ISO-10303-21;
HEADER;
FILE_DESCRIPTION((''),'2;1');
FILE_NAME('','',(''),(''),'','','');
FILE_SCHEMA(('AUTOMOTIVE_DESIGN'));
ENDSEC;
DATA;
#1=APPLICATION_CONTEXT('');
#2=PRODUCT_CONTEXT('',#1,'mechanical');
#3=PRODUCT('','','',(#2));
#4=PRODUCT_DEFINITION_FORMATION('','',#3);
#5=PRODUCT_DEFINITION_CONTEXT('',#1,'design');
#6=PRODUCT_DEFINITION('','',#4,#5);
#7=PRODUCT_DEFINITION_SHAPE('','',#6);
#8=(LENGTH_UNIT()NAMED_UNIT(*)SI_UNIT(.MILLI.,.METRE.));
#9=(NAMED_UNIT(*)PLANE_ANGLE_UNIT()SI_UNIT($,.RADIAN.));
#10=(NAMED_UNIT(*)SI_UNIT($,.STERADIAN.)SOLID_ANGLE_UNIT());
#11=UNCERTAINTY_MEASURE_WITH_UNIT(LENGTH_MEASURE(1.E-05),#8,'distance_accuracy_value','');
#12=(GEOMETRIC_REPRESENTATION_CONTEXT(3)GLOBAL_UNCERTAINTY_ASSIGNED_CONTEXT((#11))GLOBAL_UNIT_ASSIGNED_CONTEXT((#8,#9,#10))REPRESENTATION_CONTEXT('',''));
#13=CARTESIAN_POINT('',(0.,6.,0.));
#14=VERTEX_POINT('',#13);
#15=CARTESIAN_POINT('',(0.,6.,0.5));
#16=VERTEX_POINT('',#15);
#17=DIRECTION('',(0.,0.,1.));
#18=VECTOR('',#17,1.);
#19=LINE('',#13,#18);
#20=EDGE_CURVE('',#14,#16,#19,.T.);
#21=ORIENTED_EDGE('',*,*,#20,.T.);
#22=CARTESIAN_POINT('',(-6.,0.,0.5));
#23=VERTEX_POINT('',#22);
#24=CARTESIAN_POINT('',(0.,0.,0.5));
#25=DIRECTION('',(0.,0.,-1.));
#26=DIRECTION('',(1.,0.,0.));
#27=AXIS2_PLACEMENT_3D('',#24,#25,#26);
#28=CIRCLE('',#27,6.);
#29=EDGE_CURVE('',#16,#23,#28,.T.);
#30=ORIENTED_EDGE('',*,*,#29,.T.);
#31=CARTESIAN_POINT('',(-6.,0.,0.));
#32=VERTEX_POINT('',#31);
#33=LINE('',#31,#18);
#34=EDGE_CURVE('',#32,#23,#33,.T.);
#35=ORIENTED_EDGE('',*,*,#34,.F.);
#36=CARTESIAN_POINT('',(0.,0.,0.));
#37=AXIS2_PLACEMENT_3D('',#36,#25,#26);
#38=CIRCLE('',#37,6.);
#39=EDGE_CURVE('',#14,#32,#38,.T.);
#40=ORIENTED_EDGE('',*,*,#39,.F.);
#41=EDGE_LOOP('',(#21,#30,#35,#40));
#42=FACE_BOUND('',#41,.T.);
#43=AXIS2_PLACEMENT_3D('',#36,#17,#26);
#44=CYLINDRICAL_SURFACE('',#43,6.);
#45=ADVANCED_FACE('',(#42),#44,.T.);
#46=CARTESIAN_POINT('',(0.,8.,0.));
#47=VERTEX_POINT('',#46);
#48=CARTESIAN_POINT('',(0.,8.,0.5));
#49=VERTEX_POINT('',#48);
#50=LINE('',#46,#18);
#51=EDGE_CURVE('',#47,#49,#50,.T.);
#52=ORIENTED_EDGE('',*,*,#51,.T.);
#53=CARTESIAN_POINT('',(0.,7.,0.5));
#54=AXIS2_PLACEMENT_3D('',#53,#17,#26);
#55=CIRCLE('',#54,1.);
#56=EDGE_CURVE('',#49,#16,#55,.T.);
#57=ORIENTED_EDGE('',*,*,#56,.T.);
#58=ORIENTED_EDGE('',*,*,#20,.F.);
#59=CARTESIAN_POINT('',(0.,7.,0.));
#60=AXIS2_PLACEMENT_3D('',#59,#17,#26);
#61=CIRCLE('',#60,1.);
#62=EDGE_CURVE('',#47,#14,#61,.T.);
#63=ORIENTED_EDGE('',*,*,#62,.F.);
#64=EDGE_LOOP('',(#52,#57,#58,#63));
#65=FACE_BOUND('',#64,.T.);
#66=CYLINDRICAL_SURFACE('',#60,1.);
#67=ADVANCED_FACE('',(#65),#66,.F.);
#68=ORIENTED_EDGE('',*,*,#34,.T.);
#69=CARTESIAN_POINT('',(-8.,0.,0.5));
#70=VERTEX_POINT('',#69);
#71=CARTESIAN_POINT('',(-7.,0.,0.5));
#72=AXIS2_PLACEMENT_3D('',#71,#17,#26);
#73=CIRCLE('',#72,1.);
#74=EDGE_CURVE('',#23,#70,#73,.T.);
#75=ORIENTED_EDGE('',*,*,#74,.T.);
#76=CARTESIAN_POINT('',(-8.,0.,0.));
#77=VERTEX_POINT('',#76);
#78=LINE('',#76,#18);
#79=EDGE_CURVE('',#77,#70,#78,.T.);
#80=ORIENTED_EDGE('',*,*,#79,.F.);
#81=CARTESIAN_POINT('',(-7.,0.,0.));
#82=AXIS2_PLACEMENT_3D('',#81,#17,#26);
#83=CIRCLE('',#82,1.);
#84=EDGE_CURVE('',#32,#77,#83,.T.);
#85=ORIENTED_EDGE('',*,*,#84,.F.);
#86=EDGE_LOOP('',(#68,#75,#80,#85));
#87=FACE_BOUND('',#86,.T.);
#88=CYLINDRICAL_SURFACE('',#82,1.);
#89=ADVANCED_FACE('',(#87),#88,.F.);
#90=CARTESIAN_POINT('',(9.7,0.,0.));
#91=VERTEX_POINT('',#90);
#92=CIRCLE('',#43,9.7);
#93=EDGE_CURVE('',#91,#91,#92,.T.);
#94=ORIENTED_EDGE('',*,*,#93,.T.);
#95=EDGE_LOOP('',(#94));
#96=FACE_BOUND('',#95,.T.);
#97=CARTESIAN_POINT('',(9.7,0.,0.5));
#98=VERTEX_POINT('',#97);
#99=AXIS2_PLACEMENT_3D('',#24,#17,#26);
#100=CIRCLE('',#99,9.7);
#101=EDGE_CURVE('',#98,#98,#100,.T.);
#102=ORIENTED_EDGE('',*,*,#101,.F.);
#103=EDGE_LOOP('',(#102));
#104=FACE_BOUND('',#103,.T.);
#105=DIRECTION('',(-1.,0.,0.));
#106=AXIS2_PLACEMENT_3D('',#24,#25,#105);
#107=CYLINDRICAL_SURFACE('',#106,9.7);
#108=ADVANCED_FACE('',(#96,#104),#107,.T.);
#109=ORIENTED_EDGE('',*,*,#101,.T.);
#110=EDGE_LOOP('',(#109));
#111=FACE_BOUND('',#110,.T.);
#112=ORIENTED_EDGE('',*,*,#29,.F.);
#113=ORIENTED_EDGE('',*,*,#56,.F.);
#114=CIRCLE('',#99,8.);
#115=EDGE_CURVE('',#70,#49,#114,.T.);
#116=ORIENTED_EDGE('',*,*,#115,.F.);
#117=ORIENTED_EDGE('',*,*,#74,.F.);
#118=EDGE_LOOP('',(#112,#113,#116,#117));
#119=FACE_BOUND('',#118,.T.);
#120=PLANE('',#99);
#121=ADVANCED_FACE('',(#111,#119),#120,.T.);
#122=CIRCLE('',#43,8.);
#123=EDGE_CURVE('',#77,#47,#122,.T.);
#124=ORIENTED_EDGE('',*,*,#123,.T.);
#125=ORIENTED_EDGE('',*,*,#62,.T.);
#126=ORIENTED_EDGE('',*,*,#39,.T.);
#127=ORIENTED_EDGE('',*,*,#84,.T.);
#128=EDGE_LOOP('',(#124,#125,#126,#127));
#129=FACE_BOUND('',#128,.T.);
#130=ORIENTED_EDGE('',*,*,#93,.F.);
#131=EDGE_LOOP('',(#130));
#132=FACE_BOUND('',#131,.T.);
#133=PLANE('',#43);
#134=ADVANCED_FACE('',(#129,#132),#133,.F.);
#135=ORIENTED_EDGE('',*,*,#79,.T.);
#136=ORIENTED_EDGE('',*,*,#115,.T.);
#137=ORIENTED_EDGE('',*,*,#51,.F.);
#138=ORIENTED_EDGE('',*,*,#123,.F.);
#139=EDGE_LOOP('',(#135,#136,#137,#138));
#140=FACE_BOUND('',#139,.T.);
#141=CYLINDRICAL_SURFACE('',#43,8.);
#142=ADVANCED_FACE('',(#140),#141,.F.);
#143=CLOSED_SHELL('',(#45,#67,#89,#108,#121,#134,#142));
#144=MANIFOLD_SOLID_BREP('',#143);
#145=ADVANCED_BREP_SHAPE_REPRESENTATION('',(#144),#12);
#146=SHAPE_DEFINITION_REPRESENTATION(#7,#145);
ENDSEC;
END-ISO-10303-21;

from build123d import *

# Parameters (mm, degrees)
SKETCH_1_R          = 9.7
EXTRUDE_1_DEPTH     = 0.5
CUT_EXTRUDE_1_DEPTH = 14.726980731


with BuildPart() as part:
    # 草图1 → 凸台-拉伸1 (new body)
    with BuildSketch(Plane.XY):
        Circle(SKETCH_1_R)
    extrude(amount=EXTRUDE_1_DEPTH)

    # 草图3 → 切除-拉伸1 (cut, through all)
    with BuildSketch(Plane.XY.offset(0.5)):
        with BuildLine():
            ThreePointArc((-8, 0), (5.656854249, -5.656854249), (0, 8))
            ThreePointArc((0, 8), (-1, 7), (0, 6))
            ThreePointArc((0, 6), (4.242640687, -4.242640687), (-6, 0))
            ThreePointArc((-6, 0), (-7, 1), (-8, 0))
        make_face()
    extrude(amount=-CUT_EXTRUDE_1_DEPTH, mode=Mode.SUBTRACT)


solid = part.part
